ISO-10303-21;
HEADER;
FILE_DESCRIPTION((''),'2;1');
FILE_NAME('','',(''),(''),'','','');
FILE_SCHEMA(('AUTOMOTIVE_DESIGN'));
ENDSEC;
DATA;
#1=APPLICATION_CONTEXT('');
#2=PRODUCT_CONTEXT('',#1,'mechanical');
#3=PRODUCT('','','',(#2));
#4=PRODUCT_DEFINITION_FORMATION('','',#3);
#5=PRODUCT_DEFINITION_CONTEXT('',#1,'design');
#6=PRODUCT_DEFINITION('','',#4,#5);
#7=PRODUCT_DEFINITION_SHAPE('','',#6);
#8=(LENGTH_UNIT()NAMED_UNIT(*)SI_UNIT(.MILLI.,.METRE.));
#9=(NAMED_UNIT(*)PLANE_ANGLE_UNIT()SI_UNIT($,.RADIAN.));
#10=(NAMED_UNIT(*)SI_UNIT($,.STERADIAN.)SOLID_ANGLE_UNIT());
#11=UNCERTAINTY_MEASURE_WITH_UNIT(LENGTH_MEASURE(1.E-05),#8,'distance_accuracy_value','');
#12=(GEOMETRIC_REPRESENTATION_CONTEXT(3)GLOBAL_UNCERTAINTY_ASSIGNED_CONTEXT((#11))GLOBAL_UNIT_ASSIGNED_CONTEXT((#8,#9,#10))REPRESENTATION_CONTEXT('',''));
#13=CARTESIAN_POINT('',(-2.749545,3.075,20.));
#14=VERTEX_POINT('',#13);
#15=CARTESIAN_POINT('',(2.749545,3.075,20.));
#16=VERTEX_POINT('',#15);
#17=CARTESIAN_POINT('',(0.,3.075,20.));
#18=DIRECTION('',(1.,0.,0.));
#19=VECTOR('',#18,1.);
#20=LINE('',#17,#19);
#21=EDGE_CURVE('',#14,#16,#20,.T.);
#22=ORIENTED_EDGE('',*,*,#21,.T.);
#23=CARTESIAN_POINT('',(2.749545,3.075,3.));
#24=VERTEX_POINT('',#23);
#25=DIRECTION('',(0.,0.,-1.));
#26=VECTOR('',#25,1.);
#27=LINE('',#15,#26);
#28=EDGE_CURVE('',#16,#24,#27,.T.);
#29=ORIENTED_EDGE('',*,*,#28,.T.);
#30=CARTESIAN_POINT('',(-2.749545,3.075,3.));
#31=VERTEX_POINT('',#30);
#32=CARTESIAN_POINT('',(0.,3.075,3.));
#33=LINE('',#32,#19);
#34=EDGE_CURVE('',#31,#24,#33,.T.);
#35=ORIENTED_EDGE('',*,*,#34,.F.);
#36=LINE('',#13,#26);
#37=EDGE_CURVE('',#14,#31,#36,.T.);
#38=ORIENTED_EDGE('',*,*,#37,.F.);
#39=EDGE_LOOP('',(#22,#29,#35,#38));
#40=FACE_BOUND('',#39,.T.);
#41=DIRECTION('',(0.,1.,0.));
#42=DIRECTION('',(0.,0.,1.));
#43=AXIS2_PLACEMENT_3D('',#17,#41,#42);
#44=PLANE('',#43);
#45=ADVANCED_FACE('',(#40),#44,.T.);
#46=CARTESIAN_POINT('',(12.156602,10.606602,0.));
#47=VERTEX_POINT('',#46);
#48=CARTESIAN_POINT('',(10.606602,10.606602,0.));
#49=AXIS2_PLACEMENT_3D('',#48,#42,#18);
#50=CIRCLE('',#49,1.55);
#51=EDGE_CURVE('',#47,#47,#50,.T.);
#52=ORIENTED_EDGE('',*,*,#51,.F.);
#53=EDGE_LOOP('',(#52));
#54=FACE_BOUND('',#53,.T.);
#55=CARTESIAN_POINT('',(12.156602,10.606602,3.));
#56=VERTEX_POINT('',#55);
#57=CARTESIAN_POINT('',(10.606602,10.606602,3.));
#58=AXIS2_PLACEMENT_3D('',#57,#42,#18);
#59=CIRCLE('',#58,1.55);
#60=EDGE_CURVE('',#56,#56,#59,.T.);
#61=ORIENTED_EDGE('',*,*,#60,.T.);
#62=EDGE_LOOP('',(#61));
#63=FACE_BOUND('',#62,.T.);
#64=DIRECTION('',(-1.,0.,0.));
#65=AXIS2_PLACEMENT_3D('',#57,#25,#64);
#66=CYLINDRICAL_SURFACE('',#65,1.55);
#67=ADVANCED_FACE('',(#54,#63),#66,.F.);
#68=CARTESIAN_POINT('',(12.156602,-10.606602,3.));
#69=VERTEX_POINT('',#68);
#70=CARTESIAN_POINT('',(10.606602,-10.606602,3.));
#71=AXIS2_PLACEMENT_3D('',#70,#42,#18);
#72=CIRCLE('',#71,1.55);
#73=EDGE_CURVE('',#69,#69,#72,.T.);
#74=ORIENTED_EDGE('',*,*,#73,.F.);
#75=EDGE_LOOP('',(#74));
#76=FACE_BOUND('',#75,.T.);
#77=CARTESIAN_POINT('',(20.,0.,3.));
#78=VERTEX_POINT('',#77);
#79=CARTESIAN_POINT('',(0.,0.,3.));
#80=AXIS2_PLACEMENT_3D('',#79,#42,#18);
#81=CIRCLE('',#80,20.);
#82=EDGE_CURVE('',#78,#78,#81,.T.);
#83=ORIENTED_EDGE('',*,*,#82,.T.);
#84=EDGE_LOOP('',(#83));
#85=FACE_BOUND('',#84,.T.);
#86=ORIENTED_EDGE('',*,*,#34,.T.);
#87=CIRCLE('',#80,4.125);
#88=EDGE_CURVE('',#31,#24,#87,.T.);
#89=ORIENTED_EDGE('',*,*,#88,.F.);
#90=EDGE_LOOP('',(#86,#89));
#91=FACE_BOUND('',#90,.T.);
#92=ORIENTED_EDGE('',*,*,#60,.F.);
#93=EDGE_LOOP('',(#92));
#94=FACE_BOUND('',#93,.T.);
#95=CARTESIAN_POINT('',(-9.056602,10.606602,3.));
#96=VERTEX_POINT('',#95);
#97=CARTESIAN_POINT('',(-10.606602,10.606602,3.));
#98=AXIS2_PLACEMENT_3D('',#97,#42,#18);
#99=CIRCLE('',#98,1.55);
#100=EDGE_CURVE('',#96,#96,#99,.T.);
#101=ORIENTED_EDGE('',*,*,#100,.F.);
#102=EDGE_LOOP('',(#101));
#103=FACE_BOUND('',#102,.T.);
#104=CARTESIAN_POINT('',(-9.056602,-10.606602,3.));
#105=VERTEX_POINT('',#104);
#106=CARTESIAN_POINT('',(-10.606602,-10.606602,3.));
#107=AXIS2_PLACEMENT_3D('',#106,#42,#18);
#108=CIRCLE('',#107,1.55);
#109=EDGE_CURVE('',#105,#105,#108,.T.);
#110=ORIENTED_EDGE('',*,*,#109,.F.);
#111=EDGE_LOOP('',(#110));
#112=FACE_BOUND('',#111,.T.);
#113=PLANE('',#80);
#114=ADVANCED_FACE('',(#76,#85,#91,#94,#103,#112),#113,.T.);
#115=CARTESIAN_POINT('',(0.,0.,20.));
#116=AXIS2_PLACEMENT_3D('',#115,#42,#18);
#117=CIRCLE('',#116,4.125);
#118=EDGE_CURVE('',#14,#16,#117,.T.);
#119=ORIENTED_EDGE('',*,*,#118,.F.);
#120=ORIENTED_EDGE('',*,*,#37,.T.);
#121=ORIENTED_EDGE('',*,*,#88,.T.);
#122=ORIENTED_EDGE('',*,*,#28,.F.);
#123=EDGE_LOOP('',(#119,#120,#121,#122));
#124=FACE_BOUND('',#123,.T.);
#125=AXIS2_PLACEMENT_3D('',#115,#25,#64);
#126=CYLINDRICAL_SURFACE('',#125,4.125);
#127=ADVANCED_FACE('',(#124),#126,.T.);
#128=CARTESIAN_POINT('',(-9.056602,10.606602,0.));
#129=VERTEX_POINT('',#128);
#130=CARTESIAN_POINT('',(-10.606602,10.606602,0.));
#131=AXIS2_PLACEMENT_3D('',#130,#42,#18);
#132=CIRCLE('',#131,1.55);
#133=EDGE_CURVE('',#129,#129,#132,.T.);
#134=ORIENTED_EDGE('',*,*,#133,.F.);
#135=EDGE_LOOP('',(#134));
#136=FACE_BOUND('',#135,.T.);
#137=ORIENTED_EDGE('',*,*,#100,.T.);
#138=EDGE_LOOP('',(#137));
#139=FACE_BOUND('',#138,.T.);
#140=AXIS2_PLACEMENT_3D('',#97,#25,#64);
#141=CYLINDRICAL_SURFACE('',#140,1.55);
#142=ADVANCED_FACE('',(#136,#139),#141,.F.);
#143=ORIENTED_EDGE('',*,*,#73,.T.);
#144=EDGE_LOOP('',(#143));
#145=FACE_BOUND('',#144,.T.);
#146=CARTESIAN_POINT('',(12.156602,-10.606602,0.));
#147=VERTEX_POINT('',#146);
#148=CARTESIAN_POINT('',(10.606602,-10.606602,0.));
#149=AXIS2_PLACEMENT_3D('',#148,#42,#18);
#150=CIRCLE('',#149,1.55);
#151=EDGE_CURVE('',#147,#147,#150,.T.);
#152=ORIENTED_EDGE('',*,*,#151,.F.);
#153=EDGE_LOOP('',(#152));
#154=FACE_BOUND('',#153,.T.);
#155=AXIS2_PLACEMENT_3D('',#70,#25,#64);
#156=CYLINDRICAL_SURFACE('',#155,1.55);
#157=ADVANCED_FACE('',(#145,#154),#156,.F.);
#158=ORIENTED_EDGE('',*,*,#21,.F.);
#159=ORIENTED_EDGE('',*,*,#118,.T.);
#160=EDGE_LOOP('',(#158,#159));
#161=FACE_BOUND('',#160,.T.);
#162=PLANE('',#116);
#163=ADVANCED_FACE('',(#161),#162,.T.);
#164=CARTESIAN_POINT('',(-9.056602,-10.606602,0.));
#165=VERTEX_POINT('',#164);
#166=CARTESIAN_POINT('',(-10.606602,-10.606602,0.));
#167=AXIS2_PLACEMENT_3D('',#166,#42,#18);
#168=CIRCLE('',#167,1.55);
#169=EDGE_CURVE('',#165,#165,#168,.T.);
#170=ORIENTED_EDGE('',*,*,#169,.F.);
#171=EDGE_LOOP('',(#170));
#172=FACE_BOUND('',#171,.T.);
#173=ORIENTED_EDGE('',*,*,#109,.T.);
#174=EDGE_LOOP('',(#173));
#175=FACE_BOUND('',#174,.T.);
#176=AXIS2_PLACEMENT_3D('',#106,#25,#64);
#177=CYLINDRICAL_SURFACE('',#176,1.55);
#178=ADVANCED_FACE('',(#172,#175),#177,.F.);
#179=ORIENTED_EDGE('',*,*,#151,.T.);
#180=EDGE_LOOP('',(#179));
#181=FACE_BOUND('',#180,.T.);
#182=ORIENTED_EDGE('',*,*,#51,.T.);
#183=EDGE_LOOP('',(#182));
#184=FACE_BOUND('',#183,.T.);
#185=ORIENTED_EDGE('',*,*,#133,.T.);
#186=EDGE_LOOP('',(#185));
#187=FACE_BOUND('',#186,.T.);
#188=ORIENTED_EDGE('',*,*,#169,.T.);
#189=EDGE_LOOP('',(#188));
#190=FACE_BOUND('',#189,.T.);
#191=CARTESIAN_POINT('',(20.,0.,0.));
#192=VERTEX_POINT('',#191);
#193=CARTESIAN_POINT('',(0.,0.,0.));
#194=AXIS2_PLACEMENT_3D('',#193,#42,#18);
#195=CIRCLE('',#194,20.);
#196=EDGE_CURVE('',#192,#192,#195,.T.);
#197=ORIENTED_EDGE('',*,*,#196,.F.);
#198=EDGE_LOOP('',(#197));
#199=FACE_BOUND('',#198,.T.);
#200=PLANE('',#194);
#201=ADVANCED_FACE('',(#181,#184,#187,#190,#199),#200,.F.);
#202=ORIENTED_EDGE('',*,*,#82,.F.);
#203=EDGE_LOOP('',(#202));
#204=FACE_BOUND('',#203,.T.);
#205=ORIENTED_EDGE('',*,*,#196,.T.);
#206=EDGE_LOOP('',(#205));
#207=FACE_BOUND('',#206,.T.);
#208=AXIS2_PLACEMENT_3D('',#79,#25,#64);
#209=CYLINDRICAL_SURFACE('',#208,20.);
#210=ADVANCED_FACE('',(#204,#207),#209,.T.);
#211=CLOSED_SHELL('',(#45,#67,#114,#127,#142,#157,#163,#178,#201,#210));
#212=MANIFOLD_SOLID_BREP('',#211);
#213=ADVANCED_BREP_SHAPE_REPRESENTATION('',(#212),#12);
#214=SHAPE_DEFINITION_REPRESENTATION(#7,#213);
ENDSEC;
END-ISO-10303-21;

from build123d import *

# Parameters (mm, degrees)
SKETCH1_R           = 20
SKETCH1_R_2         = 1.55
BOSS_EXTRUDE1_DEPTH = 3
BOSS_EXTRUDE2_DEPTH = 20


with BuildPart() as part:
    # Sketch1 → Boss-Extrude1 (new body)
    with BuildSketch(Plane.XY):
        Circle(SKETCH1_R)
        with BuildLine():
            Line((-2.749545417, 3.075), (2.749545417, 3.075))
            ThreePointArc((2.749545417, 3.075), (0, -4.125), (-2.749545417, 3.075))
        make_face(mode=Mode.SUBTRACT)
        with Locations((-10.606601718, -10.606601718)):
            Circle(SKETCH1_R_2, mode=Mode.SUBTRACT)
        with Locations((10.606601718, -10.606601718)):
            Circle(SKETCH1_R_2, mode=Mode.SUBTRACT)
        with Locations((-10.606601718, 10.606601718)):
            Circle(SKETCH1_R_2, mode=Mode.SUBTRACT)
        with Locations((10.606601718, 10.606601718)):
            Circle(SKETCH1_R_2, mode=Mode.SUBTRACT)
    extrude(amount=BOSS_EXTRUDE1_DEPTH)

    # Sketch1<3> → Boss-Extrude2 (add)
    with BuildSketch(Plane.XY):
        with BuildLine():
            Line((2.749545417, 3.075), (-2.749545417, 3.075))
            ThreePointArc((-2.749545417, 3.075), (-1.684302549, -3.765468088), (4.125, 0))
            ThreePointArc((4.125, 0), (3.765468088, 1.684302549), (2.749545417, 3.075))
        make_face()
    extrude(amount=BOSS_EXTRUDE2_DEPTH)


solid = part.part
